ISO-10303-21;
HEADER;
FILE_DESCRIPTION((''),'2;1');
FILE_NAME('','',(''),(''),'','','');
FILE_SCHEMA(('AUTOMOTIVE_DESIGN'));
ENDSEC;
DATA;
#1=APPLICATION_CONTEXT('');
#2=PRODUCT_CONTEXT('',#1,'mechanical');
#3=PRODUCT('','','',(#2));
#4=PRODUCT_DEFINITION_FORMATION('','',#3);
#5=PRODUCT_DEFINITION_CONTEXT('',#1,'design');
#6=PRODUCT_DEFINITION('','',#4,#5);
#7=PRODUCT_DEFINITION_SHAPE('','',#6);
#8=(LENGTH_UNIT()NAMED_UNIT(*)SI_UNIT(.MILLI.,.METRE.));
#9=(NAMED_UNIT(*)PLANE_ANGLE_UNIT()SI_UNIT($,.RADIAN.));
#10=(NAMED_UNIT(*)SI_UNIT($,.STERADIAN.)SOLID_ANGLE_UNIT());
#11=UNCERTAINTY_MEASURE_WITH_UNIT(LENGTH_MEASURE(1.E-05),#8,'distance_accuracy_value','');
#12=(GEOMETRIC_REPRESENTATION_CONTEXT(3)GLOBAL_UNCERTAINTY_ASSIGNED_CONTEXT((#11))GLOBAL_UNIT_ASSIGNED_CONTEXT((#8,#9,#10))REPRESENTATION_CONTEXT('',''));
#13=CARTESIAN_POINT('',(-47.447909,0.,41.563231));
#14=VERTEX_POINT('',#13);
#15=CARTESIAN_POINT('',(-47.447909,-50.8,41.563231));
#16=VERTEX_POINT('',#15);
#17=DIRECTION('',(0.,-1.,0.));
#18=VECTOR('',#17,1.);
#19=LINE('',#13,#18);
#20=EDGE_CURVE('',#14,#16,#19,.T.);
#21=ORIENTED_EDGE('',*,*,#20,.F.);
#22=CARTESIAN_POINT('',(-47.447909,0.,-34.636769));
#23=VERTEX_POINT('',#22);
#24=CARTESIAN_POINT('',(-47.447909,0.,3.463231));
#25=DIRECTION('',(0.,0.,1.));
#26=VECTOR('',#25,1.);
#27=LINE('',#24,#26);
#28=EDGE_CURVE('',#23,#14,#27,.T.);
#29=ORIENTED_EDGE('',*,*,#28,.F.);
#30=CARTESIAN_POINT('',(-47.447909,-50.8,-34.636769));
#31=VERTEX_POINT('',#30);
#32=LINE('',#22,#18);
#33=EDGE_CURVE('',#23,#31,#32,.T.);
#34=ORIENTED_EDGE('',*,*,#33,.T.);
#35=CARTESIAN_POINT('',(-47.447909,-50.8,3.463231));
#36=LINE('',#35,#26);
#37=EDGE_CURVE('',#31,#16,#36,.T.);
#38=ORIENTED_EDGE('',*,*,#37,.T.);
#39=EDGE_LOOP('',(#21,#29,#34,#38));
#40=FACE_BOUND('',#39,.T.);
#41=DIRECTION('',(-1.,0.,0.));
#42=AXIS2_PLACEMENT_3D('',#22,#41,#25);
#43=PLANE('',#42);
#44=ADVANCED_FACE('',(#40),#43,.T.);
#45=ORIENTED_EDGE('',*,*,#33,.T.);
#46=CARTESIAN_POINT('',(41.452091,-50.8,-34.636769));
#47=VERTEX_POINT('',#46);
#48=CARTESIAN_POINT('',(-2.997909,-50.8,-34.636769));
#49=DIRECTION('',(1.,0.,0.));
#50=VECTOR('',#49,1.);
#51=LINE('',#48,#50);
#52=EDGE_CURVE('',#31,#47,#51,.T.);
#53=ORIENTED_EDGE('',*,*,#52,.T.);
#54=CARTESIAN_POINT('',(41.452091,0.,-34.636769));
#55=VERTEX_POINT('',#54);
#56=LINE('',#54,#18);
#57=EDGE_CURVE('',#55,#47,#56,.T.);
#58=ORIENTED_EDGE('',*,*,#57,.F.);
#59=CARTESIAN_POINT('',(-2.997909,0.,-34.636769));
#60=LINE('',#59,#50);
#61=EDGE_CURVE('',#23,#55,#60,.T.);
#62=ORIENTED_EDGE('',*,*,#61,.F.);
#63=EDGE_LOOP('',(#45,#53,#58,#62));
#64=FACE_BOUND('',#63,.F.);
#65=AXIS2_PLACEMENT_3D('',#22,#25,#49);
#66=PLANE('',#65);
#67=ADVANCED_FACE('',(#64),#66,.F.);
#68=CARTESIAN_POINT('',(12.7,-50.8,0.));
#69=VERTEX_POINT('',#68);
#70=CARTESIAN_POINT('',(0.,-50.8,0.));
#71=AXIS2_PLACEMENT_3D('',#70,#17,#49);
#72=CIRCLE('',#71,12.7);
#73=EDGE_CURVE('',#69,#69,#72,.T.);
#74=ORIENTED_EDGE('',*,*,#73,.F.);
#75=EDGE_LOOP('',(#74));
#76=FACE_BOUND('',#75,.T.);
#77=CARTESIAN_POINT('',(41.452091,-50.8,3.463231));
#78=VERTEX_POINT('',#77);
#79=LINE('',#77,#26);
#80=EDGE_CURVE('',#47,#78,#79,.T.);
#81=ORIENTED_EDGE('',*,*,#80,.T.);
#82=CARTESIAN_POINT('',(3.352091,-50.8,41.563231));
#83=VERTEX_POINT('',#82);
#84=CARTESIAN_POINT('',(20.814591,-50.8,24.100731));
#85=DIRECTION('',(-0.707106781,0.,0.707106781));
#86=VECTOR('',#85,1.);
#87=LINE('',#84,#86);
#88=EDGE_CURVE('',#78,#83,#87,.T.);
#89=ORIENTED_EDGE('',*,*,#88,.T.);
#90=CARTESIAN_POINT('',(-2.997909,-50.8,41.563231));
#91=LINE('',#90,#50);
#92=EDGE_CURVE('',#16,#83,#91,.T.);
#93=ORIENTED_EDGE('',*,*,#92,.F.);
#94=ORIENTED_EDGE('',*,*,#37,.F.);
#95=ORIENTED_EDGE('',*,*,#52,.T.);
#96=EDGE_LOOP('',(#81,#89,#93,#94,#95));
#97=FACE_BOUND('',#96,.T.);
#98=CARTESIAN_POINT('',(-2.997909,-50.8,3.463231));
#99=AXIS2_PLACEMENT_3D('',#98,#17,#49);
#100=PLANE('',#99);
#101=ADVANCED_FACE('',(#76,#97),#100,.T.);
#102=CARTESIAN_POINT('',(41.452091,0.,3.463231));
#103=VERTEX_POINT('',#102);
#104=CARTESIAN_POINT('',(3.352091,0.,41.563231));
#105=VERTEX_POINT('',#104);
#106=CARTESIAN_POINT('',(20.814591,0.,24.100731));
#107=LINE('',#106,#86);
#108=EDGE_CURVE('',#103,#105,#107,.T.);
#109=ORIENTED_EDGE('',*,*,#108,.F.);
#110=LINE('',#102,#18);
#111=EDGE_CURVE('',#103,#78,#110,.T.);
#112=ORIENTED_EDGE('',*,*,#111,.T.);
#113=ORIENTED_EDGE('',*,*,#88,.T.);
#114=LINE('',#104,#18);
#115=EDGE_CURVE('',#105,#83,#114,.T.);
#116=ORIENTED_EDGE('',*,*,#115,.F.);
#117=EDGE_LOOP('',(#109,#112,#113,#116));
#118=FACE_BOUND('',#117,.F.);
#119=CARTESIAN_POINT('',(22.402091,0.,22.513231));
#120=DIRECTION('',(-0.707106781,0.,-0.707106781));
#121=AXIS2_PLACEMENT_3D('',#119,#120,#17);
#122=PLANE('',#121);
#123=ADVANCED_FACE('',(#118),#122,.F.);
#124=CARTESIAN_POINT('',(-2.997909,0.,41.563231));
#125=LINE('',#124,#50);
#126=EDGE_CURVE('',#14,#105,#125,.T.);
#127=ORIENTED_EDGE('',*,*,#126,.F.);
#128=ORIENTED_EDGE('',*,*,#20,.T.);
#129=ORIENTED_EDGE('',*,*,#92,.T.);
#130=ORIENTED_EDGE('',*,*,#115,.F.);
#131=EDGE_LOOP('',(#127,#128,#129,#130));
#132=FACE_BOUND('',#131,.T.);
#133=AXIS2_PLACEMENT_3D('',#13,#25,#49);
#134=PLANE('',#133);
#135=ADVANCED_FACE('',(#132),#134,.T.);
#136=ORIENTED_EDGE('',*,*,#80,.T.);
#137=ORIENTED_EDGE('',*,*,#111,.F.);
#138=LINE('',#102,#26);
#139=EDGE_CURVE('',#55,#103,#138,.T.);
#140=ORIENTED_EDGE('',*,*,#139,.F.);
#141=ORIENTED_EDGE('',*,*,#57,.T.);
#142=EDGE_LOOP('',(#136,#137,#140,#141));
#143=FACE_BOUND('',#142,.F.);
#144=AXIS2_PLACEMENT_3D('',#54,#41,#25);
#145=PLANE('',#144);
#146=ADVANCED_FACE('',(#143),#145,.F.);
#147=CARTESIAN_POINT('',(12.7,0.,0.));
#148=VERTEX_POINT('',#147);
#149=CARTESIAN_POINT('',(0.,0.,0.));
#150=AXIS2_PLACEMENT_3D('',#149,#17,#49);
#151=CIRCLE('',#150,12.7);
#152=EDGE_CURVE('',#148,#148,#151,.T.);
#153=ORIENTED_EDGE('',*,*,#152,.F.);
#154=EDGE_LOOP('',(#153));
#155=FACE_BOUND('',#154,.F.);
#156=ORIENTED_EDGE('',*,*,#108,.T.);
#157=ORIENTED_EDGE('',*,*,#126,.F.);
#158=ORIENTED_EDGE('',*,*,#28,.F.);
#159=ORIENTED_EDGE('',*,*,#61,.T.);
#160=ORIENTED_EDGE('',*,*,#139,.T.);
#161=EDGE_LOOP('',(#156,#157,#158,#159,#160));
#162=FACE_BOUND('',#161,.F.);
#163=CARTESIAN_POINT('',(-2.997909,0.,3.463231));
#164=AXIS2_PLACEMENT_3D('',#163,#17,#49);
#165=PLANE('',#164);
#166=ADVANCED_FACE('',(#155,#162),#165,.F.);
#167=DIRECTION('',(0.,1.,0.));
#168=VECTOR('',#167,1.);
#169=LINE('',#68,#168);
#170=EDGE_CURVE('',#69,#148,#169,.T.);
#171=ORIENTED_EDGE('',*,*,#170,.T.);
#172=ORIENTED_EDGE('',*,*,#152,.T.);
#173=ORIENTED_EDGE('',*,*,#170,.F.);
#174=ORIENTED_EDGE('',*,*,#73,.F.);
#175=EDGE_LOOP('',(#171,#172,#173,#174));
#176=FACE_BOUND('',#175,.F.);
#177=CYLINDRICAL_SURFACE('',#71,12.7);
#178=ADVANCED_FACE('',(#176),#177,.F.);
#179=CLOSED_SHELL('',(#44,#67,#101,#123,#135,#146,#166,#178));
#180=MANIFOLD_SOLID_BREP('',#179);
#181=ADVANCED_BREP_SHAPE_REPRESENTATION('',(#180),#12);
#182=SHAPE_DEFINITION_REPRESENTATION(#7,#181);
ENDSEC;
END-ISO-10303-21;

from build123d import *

# Parameters (mm, degrees)
F0_W     = 88.9
F0_H     = 76.2
F1_DEPTH = 50.8
F2_SIZE  = 38.1
F3_R     = 12.7
F4_DEPTH = 50.8


with BuildPart() as f1:
    # F0 (on Front) → F1 (new body)
    with BuildSketch(Plane.XZ):
        with Locations((-2.997909, 3.463231)):
            Rectangle(F0_W, F0_H)
    extrude(amount=F1_DEPTH)

    # F2
    f2_edges = [f1.edges().sort_by_distance(p)[0] for p in [
        (41.452091, -25.4, 41.563231),
    ]]
    chamfer(f2_edges, length=F2_SIZE)

    # F3 (on face) → F4 (cut)
    with BuildSketch(Plane.XZ.offset(50.8)):
        Circle(F3_R)
    extrude(amount=-F4_DEPTH, mode=Mode.SUBTRACT)


solid = f1.part
